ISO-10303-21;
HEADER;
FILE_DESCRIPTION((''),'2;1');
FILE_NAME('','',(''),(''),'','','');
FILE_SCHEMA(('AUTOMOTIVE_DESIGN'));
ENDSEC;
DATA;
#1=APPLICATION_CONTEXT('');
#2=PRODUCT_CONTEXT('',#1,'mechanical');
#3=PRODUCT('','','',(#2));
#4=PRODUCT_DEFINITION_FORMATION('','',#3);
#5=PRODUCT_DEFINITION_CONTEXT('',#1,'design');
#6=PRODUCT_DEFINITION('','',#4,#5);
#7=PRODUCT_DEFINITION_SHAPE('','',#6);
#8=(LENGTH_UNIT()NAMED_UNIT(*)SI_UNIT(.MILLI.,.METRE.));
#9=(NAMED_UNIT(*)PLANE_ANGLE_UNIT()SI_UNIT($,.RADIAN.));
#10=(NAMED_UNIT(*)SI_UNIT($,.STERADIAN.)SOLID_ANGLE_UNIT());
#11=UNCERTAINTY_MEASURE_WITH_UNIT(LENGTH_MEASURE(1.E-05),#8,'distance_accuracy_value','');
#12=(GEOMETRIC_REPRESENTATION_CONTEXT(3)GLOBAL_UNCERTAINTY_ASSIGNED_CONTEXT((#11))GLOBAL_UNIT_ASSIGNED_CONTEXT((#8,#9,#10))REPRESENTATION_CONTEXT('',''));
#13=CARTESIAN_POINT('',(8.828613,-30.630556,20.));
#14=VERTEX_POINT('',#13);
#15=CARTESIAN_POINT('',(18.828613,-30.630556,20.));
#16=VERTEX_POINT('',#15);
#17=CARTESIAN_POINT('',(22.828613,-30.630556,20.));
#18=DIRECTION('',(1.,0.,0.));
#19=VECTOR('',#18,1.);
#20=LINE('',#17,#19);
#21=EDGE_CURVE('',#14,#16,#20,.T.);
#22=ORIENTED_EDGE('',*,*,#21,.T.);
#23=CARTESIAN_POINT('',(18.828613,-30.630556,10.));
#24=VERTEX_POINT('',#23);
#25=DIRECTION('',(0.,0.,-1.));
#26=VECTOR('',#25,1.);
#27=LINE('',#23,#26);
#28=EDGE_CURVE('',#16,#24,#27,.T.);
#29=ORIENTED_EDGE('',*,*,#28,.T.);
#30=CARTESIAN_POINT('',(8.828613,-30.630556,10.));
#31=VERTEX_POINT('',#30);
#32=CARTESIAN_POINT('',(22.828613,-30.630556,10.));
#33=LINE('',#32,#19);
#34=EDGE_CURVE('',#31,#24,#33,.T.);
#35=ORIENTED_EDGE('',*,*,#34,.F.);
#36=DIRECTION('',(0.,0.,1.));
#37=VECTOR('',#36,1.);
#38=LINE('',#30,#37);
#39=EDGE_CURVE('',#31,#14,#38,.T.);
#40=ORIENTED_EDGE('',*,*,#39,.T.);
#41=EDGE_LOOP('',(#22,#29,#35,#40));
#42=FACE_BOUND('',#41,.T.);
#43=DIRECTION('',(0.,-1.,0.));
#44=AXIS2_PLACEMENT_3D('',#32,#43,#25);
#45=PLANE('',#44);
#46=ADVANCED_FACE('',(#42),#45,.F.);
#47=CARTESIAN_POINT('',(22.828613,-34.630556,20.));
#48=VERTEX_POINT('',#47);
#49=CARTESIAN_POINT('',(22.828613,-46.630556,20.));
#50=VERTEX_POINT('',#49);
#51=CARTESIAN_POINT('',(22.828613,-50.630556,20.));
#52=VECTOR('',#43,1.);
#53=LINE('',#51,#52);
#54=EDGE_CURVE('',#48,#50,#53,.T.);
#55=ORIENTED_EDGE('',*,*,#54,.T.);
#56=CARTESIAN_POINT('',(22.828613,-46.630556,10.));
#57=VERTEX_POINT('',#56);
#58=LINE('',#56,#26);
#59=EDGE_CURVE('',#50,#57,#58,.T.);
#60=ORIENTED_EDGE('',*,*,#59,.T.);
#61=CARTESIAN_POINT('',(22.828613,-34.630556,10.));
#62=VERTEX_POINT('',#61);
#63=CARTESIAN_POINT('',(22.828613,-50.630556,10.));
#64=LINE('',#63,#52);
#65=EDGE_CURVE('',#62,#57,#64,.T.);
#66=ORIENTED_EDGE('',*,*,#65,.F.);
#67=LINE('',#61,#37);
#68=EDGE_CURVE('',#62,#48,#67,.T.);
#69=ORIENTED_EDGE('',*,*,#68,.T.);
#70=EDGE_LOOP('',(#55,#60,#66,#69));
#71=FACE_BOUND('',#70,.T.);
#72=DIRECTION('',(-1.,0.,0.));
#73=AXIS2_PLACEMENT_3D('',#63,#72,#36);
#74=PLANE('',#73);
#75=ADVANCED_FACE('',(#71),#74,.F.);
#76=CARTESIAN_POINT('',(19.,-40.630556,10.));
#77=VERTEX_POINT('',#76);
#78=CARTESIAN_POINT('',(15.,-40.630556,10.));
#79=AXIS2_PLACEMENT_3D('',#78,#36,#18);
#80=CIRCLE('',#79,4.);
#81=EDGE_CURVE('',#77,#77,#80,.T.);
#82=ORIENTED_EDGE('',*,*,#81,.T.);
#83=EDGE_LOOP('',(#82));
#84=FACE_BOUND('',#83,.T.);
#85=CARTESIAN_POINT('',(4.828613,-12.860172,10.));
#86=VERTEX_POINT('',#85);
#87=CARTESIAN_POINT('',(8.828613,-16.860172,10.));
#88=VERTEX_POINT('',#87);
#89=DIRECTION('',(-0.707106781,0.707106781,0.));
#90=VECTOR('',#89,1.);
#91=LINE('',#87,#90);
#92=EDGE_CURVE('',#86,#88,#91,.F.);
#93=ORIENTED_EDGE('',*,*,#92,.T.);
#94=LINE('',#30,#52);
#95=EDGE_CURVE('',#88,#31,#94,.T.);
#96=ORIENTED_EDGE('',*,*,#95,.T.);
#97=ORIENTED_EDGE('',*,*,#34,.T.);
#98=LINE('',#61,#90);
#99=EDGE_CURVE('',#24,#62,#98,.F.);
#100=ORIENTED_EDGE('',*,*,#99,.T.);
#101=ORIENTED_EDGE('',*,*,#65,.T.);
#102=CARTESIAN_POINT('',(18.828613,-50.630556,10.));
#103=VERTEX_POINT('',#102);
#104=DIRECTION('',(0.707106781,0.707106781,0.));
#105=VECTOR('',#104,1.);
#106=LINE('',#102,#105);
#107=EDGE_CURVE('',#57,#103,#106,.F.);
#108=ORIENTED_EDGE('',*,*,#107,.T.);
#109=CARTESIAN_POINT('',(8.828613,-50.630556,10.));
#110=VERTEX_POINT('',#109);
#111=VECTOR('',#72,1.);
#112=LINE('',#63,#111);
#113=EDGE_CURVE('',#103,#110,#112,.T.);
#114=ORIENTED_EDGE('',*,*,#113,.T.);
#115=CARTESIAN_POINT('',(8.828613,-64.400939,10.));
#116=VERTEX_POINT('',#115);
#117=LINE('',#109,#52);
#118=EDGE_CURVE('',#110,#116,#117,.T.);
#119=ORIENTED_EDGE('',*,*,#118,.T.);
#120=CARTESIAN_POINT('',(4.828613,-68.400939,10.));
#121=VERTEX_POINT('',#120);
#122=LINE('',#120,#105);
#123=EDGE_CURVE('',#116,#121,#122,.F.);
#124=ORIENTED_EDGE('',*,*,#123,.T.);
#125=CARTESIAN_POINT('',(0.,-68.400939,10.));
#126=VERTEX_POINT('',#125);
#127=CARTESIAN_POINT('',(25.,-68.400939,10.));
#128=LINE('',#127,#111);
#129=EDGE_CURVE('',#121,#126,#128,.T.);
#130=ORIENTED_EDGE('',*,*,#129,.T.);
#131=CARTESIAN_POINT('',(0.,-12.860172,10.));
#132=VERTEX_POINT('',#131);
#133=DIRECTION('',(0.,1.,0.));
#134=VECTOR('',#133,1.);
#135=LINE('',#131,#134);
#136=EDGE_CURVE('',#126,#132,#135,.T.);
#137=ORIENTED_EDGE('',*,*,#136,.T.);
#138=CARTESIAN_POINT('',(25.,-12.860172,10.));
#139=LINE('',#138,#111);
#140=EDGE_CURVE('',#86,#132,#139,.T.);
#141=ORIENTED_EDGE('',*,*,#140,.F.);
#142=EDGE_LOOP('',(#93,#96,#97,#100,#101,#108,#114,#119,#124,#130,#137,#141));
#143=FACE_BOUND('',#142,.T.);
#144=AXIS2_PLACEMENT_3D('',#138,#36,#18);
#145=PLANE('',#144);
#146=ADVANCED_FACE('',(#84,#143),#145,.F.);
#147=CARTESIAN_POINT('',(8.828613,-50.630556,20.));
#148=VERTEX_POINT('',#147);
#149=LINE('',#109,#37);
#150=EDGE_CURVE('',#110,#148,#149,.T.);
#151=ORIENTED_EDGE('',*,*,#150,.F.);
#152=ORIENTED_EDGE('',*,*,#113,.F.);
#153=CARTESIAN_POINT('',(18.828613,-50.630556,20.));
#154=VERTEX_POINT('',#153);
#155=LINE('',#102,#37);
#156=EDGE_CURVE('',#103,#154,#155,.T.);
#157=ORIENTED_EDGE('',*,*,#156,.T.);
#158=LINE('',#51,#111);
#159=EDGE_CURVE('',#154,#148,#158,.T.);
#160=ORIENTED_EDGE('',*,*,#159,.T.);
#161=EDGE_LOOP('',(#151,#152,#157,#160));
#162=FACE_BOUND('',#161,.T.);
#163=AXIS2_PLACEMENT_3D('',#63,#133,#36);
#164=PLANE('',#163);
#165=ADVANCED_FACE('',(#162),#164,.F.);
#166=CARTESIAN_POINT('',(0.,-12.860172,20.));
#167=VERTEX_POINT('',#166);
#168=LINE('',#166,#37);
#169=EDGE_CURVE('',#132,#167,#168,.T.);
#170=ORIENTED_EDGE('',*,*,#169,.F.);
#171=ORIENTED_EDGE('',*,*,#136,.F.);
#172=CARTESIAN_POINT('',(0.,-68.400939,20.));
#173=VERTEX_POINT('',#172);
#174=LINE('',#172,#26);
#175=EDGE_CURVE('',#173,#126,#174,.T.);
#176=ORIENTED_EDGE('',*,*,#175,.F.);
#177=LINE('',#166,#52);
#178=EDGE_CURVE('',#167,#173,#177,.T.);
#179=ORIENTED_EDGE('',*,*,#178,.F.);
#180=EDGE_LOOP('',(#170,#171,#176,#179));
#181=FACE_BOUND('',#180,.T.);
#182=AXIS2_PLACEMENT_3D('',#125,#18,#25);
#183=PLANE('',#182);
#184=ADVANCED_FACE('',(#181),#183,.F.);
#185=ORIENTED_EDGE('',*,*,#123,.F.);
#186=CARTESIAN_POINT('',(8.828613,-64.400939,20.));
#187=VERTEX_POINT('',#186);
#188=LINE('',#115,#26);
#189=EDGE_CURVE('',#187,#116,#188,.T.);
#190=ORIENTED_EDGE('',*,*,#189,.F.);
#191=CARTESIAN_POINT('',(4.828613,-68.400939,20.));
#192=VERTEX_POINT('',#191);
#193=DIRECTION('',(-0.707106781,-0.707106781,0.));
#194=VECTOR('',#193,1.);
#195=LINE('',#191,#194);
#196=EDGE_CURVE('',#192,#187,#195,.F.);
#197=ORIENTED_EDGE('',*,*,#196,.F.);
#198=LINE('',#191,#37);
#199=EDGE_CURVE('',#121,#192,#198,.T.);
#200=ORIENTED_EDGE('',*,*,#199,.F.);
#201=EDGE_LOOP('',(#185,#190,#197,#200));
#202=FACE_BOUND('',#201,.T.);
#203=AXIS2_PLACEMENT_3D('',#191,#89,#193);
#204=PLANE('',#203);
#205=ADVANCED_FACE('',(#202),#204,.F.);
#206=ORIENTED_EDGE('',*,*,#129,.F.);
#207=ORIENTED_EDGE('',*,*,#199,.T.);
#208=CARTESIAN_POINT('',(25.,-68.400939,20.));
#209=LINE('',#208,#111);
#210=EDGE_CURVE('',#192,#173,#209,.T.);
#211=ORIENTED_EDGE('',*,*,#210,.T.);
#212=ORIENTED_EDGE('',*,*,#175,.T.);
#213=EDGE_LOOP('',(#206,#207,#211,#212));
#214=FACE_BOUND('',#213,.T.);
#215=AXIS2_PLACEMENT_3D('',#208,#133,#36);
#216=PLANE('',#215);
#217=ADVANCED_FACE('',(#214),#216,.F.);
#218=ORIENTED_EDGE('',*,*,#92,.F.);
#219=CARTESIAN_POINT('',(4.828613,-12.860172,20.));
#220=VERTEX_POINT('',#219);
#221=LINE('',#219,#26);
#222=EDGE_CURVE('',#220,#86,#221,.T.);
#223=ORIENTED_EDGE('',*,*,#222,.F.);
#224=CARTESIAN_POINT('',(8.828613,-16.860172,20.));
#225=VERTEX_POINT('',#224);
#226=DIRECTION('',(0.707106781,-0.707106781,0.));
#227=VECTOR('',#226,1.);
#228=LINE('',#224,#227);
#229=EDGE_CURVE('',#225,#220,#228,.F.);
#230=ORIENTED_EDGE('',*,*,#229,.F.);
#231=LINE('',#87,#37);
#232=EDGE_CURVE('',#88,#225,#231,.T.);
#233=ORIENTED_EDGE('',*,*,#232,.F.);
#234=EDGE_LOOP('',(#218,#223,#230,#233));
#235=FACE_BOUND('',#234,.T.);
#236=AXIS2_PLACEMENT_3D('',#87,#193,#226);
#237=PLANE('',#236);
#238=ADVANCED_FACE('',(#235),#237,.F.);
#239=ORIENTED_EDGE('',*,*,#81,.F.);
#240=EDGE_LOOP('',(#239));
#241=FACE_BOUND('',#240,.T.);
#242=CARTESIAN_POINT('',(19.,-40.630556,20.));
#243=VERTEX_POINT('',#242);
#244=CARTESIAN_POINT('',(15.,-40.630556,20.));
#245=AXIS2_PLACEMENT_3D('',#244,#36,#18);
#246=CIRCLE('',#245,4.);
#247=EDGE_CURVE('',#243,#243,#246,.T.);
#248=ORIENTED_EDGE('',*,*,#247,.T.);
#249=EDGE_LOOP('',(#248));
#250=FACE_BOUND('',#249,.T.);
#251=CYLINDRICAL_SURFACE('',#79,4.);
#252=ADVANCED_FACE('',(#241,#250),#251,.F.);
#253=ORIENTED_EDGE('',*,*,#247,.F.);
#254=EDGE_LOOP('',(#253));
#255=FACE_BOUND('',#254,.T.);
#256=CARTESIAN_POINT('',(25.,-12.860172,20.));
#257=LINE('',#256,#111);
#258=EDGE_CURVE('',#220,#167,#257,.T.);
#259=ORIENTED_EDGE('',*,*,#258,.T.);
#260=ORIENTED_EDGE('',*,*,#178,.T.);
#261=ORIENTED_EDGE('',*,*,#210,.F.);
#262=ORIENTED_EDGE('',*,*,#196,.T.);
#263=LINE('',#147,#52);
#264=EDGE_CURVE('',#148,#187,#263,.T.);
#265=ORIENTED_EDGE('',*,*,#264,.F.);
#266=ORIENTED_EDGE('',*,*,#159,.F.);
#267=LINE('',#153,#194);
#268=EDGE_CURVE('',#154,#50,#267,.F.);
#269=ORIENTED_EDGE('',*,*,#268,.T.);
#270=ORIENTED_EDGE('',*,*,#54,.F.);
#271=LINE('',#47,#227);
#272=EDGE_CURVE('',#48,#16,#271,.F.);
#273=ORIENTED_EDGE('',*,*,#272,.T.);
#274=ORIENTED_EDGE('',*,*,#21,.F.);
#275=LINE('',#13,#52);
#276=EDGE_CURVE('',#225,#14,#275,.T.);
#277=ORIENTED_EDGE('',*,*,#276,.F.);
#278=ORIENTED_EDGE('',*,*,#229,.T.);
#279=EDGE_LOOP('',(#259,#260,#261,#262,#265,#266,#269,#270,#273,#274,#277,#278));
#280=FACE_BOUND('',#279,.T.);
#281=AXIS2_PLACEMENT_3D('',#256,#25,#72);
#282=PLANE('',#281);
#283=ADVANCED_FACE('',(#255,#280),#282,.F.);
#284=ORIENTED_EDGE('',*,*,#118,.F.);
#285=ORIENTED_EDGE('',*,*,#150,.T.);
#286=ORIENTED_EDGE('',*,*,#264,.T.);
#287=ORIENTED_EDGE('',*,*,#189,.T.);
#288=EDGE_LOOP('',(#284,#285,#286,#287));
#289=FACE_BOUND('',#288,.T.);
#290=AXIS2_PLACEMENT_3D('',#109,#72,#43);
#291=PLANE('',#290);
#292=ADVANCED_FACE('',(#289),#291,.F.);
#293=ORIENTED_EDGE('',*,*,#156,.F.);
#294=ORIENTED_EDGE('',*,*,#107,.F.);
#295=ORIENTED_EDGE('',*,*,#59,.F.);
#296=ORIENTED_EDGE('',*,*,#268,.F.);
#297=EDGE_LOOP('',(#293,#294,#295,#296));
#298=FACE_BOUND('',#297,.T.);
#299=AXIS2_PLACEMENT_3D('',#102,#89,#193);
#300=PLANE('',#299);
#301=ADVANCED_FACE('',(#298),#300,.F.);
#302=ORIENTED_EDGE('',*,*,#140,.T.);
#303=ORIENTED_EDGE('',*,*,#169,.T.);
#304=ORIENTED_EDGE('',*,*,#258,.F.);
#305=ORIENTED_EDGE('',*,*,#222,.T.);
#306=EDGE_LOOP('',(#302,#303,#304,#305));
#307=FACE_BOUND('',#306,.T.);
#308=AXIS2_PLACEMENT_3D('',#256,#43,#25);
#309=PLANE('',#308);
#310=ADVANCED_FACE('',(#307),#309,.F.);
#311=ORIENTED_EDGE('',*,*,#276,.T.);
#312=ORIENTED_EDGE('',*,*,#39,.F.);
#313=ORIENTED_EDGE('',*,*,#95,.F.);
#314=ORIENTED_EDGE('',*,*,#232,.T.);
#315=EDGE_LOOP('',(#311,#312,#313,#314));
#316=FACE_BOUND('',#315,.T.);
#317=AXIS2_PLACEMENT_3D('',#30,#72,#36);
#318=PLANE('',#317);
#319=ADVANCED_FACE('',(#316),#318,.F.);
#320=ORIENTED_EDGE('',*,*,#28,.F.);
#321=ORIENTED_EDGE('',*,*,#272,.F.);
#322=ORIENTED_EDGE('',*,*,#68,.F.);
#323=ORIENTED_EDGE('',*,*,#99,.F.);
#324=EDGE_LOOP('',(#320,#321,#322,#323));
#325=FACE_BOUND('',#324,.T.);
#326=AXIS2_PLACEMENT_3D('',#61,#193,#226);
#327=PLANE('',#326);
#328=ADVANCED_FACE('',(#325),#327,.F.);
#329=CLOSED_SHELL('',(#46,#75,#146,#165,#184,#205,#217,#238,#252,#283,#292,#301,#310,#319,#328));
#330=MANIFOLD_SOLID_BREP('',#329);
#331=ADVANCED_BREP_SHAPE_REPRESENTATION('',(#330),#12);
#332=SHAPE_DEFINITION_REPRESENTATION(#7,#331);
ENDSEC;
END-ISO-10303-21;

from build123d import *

# Parameters (mm, degrees)
SKETCH_1_W          = 10
SKETCH_1_H          = 55.540767131
EXTRUDE_1_DEPTH     = 25
SKETCH_5_R          = 4.000000001
CUT_EXTRUDE_2_DEPTH = 74.509784895
CUT_EXTRUDE_3_DEPTH = 74.509784895
CHAMFER_1_SIZE      = 4


with BuildPart() as part:
    # Эскиз1 → Вытянуть1 (new body)
    with BuildSketch(Plane(origin=(0, 0, 0), x_dir=(0, 0, -1), z_dir=(1, 0, 0))):
        with Locations((-15, -40.630555576)):
            Rectangle(SKETCH_1_W, SKETCH_1_H)
    extrude(amount=EXTRUDE_1_DEPTH)

    # Эскиз5 → Вырез-Вытянуть2 (cut, through all)
    with BuildSketch(Plane.XY.offset(20)):
        with Locations((15, -40.630555576)):
            Circle(SKETCH_5_R)
    extrude(amount=-CUT_EXTRUDE_2_DEPTH, mode=Mode.SUBTRACT)

    # Эскиз6 → Вырез-Вытянуть3 (cut, through all)
    with BuildSketch(Plane.XY.offset(20)):
        Polygon((22.828613207, -50.630555576), (22.828613207, -30.630555576), (8.828613207, -30.630555576), (8.828613207, -12.86017201), (25, -12.86017201), (25, -68.400939141), (8.828613207, -68.400939141), (8.828613207, -50.630555576), align=None)
    extrude(amount=-CUT_EXTRUDE_3_DEPTH, mode=Mode.SUBTRACT)

    # Фаска1
    chamfer_1_edges = [part.edges().sort_by_distance(p)[0] for p in [
        (22.828613207, -30.630555576, 15),
        (8.828613207, -12.86017201, 15),
        (8.828613207, -68.400939141, 15),
        (22.828613207, -50.630555576, 15),
    ]]
    chamfer(chamfer_1_edges, length=CHAMFER_1_SIZE)


solid = part.part
